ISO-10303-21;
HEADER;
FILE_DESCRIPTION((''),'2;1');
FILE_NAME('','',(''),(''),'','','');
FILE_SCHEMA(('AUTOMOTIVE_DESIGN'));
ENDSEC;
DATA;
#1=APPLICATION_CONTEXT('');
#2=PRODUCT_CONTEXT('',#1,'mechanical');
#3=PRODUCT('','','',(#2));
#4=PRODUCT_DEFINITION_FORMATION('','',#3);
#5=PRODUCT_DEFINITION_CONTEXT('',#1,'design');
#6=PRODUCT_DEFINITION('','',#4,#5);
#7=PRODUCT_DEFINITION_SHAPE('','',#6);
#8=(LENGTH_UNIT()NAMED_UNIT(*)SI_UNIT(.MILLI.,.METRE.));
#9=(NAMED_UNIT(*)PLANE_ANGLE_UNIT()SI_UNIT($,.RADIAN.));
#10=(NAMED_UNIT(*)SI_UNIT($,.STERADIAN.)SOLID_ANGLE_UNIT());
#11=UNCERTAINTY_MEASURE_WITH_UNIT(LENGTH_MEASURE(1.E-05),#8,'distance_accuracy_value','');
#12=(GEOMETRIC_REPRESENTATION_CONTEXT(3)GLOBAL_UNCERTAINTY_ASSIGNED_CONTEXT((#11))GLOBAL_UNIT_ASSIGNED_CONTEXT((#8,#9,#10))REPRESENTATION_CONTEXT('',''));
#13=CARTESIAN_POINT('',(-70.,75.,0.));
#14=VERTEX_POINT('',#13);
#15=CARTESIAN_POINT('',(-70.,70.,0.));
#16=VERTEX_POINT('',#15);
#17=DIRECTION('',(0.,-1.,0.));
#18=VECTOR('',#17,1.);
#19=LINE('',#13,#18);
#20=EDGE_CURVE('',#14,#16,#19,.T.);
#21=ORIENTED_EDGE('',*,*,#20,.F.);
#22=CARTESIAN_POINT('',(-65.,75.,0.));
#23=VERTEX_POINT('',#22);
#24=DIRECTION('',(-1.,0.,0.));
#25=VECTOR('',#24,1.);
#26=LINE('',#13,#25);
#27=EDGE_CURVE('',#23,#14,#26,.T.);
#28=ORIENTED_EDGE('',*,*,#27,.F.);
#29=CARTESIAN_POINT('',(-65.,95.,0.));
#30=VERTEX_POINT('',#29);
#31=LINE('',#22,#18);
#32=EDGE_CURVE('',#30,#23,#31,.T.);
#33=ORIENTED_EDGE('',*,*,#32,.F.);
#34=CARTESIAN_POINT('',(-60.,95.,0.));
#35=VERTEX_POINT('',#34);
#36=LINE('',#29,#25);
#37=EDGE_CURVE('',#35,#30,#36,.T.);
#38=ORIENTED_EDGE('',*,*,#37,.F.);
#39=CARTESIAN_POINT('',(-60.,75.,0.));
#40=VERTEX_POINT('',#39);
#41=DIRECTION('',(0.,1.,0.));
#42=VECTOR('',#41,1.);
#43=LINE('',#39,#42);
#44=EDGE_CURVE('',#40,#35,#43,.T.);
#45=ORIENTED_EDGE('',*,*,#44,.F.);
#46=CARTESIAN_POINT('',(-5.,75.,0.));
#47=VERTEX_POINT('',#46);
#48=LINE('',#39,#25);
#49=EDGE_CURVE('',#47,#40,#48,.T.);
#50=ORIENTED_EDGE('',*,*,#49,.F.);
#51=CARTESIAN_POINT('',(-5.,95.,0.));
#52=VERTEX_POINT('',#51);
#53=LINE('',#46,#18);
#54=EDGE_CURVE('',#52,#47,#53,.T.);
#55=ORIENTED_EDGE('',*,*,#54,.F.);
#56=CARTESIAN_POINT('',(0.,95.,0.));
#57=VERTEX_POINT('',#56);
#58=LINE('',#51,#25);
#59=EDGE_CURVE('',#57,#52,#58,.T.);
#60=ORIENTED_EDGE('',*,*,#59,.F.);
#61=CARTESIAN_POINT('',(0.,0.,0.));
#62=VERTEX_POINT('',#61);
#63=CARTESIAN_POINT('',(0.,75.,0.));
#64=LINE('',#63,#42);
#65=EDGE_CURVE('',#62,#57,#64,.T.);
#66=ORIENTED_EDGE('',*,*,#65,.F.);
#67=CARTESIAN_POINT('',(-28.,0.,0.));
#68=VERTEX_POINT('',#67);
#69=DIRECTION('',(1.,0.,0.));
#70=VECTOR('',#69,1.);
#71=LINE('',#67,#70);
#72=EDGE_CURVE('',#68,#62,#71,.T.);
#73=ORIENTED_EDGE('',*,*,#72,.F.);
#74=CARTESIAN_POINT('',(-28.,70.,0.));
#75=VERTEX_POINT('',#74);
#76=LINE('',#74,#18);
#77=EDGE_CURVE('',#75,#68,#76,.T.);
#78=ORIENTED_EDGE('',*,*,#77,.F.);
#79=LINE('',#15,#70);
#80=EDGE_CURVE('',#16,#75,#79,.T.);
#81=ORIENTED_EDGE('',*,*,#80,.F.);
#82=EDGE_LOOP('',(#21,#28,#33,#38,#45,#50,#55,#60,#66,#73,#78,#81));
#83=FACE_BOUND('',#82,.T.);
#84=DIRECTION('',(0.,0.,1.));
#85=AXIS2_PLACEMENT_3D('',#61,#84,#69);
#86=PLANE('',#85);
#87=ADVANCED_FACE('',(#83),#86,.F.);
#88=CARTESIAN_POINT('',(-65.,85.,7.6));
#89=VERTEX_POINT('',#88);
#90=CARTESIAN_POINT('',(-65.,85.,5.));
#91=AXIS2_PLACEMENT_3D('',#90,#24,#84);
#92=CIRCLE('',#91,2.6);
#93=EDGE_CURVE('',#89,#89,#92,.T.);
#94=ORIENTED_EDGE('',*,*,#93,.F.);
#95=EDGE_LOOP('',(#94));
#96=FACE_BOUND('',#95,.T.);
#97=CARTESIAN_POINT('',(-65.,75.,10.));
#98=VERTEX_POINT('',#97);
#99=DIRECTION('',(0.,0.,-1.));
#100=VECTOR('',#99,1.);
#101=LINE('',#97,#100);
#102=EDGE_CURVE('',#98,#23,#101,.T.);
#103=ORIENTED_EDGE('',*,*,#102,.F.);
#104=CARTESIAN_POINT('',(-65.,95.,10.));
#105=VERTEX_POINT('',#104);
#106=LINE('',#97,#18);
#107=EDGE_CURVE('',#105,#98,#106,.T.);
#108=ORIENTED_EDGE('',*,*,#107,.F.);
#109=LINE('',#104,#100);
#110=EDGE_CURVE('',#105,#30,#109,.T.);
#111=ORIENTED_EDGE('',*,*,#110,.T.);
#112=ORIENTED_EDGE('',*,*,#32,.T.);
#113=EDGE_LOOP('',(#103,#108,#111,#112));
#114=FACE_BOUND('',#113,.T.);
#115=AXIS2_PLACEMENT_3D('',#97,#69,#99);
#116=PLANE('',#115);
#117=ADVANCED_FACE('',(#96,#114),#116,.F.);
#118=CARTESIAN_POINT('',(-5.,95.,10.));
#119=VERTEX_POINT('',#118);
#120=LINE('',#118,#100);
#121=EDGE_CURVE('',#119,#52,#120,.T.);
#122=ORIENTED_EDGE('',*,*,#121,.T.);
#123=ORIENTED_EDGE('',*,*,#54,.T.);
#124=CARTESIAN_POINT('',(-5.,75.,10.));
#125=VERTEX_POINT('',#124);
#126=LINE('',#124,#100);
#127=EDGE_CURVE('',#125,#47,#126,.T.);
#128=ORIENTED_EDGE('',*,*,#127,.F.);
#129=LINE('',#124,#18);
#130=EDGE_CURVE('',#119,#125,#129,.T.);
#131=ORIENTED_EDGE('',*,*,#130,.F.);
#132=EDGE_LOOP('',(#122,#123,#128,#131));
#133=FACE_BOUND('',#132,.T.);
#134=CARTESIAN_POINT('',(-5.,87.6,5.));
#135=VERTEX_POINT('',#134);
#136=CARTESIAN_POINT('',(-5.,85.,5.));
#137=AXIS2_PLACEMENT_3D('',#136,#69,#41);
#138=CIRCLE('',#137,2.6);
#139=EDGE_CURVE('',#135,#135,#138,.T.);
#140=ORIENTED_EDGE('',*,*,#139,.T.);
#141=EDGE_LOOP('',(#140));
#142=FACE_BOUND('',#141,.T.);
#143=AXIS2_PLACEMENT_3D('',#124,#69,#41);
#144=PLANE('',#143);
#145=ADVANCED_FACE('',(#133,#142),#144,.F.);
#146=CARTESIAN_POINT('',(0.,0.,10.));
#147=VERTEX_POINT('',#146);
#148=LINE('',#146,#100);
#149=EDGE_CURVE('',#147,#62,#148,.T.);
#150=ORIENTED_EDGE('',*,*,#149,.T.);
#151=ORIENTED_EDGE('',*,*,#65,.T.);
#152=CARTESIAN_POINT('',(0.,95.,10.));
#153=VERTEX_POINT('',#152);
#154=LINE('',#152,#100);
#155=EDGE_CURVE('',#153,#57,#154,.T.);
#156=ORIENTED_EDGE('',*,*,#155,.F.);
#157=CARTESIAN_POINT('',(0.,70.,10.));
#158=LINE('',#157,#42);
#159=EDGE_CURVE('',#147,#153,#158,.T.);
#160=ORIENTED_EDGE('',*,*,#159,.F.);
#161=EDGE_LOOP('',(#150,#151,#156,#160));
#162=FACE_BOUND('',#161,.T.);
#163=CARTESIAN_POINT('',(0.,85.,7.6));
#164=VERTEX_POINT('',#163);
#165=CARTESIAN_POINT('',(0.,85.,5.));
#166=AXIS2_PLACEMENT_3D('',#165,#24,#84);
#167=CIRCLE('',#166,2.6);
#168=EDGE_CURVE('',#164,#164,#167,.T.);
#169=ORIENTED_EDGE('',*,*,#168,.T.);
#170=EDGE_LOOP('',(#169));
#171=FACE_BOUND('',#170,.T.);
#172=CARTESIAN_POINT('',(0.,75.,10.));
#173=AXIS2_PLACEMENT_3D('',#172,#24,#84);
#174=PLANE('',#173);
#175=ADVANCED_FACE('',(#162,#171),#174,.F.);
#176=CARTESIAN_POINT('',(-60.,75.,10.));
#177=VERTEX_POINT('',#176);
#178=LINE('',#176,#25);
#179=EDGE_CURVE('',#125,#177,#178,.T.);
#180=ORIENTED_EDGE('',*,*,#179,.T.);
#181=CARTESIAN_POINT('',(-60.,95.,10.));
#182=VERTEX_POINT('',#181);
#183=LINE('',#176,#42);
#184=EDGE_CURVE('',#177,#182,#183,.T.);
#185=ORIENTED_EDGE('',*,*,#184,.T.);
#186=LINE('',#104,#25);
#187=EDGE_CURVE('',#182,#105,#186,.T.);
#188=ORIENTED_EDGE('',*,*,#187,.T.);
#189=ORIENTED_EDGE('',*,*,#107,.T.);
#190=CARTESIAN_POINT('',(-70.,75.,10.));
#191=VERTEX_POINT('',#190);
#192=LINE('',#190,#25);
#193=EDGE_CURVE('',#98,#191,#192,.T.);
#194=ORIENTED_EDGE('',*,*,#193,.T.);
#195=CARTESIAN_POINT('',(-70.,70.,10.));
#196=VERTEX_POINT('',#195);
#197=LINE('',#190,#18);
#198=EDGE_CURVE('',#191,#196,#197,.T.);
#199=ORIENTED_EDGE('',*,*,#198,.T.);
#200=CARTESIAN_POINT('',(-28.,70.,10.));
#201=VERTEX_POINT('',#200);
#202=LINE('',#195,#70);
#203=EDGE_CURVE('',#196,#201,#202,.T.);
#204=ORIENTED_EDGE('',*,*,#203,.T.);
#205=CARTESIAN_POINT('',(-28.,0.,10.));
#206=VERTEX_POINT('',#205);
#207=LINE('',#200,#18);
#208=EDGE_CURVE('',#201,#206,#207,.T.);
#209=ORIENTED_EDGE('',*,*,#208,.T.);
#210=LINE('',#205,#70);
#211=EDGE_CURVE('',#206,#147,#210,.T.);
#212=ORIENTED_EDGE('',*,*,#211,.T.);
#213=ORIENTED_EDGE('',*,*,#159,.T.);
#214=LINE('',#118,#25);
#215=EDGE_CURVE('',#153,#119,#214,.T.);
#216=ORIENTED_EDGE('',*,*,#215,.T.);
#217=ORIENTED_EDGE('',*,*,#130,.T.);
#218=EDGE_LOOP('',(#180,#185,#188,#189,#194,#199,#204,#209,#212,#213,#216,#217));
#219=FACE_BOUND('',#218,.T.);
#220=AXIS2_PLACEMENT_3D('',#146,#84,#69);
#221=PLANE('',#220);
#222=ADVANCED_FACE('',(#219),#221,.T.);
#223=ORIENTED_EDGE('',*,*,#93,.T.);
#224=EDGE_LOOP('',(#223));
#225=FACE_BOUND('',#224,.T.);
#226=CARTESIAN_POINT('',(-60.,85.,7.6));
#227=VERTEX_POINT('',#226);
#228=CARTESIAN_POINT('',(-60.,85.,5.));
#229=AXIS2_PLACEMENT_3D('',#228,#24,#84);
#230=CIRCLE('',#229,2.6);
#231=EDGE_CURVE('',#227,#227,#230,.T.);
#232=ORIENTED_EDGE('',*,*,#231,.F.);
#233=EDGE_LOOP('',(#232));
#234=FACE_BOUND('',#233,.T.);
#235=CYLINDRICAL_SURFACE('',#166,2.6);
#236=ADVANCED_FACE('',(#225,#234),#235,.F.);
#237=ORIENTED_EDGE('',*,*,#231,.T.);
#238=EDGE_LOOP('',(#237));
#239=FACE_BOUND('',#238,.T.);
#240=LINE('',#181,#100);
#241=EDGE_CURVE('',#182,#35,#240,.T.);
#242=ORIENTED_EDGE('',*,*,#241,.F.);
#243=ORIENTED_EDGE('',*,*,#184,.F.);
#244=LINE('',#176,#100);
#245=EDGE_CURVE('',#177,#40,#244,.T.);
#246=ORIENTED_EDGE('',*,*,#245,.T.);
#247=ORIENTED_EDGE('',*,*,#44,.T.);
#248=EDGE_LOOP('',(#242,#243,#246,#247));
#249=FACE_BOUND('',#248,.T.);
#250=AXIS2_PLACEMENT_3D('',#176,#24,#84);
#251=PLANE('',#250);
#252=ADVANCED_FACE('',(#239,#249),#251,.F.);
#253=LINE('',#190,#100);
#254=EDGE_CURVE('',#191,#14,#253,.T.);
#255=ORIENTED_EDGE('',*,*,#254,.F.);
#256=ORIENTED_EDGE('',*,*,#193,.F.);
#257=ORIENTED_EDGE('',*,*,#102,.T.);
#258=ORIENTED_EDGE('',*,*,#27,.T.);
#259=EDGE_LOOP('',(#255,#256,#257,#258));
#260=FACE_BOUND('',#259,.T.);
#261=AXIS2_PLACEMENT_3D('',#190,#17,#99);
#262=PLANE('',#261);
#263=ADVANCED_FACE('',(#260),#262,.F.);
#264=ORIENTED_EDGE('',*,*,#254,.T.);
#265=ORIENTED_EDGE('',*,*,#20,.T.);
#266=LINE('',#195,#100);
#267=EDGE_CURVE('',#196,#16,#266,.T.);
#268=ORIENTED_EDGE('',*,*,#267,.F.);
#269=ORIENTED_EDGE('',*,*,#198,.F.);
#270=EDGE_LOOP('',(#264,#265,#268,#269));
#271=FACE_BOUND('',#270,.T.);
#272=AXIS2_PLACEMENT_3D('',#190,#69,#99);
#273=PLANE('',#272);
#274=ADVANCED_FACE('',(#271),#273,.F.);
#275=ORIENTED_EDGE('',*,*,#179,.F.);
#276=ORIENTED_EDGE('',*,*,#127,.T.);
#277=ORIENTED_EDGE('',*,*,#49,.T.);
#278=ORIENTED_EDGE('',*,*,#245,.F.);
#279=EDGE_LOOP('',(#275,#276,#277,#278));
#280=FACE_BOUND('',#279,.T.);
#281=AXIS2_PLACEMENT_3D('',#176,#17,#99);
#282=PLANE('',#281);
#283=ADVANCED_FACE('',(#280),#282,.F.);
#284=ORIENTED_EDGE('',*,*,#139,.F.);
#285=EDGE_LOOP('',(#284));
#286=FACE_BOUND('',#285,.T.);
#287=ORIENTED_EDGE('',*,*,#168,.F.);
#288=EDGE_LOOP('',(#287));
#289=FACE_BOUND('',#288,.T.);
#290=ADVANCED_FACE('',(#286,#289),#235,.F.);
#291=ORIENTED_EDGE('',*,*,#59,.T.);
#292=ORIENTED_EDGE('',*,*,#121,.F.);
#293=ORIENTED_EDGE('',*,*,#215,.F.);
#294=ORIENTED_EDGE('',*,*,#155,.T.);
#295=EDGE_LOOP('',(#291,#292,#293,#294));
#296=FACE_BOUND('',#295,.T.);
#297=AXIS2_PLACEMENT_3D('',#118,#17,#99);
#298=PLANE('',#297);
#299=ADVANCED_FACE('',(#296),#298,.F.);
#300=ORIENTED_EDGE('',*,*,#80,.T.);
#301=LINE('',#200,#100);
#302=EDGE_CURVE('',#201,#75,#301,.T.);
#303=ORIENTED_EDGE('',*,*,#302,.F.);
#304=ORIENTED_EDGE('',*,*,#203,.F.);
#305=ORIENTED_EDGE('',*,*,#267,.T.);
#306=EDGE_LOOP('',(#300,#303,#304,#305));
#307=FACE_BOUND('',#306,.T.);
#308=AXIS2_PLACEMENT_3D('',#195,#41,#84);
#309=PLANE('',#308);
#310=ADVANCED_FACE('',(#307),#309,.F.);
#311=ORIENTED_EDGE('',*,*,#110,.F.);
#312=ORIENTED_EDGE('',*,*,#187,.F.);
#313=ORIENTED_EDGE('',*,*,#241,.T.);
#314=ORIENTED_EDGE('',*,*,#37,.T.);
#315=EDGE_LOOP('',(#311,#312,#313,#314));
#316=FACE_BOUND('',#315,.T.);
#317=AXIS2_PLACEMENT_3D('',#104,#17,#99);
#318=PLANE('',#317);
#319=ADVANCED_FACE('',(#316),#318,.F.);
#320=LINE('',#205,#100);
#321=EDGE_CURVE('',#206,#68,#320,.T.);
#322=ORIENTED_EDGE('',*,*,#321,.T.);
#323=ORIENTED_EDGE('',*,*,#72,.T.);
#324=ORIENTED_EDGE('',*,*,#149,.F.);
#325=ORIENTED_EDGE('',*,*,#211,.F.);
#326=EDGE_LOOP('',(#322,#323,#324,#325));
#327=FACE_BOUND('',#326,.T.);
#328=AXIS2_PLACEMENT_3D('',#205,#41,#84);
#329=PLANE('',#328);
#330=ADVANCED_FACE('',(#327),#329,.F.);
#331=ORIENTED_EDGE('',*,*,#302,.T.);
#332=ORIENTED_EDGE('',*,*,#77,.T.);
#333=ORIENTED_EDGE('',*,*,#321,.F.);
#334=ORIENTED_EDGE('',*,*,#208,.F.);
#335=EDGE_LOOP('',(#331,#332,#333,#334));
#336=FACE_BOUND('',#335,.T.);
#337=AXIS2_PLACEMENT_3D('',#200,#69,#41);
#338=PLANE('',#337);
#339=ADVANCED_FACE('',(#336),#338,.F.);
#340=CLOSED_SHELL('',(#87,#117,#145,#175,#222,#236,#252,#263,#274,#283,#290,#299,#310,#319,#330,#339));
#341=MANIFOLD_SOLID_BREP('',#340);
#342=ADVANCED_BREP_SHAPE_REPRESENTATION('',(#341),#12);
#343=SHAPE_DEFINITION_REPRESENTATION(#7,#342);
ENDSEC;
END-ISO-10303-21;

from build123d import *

# Parameters (mm, degrees)
EXTRUDE_1_DEPTH     = 10
SKETCH_3_R          = 2.6
CUT_EXTRUDE_1_DEPTH = 116.542200083


with BuildPart() as part:
    # ｽｹｯﾁ2 → ﾎﾞｽ - 押し出し1 (new body)
    with BuildSketch(Plane.XY):
        Polygon((-60, 75), (-5, 75), (-5, 95), (0, 95), (0, 75), (0, 70), (0, 0), (-28, 0), (-28, 70), (-70, 70), (-70, 75), (-65, 75), (-65, 95), (-60, 95), align=None)
    extrude(amount=EXTRUDE_1_DEPTH)

    # ｽｹｯﾁ3 → ｶｯﾄ - 押し出し1 (cut, through all)
    with BuildSketch(Plane.ZY.offset(65)):
        with Locations((5, 85)):
            Circle(SKETCH_3_R)
    extrude(amount=-CUT_EXTRUDE_1_DEPTH, mode=Mode.SUBTRACT)


solid = part.part
